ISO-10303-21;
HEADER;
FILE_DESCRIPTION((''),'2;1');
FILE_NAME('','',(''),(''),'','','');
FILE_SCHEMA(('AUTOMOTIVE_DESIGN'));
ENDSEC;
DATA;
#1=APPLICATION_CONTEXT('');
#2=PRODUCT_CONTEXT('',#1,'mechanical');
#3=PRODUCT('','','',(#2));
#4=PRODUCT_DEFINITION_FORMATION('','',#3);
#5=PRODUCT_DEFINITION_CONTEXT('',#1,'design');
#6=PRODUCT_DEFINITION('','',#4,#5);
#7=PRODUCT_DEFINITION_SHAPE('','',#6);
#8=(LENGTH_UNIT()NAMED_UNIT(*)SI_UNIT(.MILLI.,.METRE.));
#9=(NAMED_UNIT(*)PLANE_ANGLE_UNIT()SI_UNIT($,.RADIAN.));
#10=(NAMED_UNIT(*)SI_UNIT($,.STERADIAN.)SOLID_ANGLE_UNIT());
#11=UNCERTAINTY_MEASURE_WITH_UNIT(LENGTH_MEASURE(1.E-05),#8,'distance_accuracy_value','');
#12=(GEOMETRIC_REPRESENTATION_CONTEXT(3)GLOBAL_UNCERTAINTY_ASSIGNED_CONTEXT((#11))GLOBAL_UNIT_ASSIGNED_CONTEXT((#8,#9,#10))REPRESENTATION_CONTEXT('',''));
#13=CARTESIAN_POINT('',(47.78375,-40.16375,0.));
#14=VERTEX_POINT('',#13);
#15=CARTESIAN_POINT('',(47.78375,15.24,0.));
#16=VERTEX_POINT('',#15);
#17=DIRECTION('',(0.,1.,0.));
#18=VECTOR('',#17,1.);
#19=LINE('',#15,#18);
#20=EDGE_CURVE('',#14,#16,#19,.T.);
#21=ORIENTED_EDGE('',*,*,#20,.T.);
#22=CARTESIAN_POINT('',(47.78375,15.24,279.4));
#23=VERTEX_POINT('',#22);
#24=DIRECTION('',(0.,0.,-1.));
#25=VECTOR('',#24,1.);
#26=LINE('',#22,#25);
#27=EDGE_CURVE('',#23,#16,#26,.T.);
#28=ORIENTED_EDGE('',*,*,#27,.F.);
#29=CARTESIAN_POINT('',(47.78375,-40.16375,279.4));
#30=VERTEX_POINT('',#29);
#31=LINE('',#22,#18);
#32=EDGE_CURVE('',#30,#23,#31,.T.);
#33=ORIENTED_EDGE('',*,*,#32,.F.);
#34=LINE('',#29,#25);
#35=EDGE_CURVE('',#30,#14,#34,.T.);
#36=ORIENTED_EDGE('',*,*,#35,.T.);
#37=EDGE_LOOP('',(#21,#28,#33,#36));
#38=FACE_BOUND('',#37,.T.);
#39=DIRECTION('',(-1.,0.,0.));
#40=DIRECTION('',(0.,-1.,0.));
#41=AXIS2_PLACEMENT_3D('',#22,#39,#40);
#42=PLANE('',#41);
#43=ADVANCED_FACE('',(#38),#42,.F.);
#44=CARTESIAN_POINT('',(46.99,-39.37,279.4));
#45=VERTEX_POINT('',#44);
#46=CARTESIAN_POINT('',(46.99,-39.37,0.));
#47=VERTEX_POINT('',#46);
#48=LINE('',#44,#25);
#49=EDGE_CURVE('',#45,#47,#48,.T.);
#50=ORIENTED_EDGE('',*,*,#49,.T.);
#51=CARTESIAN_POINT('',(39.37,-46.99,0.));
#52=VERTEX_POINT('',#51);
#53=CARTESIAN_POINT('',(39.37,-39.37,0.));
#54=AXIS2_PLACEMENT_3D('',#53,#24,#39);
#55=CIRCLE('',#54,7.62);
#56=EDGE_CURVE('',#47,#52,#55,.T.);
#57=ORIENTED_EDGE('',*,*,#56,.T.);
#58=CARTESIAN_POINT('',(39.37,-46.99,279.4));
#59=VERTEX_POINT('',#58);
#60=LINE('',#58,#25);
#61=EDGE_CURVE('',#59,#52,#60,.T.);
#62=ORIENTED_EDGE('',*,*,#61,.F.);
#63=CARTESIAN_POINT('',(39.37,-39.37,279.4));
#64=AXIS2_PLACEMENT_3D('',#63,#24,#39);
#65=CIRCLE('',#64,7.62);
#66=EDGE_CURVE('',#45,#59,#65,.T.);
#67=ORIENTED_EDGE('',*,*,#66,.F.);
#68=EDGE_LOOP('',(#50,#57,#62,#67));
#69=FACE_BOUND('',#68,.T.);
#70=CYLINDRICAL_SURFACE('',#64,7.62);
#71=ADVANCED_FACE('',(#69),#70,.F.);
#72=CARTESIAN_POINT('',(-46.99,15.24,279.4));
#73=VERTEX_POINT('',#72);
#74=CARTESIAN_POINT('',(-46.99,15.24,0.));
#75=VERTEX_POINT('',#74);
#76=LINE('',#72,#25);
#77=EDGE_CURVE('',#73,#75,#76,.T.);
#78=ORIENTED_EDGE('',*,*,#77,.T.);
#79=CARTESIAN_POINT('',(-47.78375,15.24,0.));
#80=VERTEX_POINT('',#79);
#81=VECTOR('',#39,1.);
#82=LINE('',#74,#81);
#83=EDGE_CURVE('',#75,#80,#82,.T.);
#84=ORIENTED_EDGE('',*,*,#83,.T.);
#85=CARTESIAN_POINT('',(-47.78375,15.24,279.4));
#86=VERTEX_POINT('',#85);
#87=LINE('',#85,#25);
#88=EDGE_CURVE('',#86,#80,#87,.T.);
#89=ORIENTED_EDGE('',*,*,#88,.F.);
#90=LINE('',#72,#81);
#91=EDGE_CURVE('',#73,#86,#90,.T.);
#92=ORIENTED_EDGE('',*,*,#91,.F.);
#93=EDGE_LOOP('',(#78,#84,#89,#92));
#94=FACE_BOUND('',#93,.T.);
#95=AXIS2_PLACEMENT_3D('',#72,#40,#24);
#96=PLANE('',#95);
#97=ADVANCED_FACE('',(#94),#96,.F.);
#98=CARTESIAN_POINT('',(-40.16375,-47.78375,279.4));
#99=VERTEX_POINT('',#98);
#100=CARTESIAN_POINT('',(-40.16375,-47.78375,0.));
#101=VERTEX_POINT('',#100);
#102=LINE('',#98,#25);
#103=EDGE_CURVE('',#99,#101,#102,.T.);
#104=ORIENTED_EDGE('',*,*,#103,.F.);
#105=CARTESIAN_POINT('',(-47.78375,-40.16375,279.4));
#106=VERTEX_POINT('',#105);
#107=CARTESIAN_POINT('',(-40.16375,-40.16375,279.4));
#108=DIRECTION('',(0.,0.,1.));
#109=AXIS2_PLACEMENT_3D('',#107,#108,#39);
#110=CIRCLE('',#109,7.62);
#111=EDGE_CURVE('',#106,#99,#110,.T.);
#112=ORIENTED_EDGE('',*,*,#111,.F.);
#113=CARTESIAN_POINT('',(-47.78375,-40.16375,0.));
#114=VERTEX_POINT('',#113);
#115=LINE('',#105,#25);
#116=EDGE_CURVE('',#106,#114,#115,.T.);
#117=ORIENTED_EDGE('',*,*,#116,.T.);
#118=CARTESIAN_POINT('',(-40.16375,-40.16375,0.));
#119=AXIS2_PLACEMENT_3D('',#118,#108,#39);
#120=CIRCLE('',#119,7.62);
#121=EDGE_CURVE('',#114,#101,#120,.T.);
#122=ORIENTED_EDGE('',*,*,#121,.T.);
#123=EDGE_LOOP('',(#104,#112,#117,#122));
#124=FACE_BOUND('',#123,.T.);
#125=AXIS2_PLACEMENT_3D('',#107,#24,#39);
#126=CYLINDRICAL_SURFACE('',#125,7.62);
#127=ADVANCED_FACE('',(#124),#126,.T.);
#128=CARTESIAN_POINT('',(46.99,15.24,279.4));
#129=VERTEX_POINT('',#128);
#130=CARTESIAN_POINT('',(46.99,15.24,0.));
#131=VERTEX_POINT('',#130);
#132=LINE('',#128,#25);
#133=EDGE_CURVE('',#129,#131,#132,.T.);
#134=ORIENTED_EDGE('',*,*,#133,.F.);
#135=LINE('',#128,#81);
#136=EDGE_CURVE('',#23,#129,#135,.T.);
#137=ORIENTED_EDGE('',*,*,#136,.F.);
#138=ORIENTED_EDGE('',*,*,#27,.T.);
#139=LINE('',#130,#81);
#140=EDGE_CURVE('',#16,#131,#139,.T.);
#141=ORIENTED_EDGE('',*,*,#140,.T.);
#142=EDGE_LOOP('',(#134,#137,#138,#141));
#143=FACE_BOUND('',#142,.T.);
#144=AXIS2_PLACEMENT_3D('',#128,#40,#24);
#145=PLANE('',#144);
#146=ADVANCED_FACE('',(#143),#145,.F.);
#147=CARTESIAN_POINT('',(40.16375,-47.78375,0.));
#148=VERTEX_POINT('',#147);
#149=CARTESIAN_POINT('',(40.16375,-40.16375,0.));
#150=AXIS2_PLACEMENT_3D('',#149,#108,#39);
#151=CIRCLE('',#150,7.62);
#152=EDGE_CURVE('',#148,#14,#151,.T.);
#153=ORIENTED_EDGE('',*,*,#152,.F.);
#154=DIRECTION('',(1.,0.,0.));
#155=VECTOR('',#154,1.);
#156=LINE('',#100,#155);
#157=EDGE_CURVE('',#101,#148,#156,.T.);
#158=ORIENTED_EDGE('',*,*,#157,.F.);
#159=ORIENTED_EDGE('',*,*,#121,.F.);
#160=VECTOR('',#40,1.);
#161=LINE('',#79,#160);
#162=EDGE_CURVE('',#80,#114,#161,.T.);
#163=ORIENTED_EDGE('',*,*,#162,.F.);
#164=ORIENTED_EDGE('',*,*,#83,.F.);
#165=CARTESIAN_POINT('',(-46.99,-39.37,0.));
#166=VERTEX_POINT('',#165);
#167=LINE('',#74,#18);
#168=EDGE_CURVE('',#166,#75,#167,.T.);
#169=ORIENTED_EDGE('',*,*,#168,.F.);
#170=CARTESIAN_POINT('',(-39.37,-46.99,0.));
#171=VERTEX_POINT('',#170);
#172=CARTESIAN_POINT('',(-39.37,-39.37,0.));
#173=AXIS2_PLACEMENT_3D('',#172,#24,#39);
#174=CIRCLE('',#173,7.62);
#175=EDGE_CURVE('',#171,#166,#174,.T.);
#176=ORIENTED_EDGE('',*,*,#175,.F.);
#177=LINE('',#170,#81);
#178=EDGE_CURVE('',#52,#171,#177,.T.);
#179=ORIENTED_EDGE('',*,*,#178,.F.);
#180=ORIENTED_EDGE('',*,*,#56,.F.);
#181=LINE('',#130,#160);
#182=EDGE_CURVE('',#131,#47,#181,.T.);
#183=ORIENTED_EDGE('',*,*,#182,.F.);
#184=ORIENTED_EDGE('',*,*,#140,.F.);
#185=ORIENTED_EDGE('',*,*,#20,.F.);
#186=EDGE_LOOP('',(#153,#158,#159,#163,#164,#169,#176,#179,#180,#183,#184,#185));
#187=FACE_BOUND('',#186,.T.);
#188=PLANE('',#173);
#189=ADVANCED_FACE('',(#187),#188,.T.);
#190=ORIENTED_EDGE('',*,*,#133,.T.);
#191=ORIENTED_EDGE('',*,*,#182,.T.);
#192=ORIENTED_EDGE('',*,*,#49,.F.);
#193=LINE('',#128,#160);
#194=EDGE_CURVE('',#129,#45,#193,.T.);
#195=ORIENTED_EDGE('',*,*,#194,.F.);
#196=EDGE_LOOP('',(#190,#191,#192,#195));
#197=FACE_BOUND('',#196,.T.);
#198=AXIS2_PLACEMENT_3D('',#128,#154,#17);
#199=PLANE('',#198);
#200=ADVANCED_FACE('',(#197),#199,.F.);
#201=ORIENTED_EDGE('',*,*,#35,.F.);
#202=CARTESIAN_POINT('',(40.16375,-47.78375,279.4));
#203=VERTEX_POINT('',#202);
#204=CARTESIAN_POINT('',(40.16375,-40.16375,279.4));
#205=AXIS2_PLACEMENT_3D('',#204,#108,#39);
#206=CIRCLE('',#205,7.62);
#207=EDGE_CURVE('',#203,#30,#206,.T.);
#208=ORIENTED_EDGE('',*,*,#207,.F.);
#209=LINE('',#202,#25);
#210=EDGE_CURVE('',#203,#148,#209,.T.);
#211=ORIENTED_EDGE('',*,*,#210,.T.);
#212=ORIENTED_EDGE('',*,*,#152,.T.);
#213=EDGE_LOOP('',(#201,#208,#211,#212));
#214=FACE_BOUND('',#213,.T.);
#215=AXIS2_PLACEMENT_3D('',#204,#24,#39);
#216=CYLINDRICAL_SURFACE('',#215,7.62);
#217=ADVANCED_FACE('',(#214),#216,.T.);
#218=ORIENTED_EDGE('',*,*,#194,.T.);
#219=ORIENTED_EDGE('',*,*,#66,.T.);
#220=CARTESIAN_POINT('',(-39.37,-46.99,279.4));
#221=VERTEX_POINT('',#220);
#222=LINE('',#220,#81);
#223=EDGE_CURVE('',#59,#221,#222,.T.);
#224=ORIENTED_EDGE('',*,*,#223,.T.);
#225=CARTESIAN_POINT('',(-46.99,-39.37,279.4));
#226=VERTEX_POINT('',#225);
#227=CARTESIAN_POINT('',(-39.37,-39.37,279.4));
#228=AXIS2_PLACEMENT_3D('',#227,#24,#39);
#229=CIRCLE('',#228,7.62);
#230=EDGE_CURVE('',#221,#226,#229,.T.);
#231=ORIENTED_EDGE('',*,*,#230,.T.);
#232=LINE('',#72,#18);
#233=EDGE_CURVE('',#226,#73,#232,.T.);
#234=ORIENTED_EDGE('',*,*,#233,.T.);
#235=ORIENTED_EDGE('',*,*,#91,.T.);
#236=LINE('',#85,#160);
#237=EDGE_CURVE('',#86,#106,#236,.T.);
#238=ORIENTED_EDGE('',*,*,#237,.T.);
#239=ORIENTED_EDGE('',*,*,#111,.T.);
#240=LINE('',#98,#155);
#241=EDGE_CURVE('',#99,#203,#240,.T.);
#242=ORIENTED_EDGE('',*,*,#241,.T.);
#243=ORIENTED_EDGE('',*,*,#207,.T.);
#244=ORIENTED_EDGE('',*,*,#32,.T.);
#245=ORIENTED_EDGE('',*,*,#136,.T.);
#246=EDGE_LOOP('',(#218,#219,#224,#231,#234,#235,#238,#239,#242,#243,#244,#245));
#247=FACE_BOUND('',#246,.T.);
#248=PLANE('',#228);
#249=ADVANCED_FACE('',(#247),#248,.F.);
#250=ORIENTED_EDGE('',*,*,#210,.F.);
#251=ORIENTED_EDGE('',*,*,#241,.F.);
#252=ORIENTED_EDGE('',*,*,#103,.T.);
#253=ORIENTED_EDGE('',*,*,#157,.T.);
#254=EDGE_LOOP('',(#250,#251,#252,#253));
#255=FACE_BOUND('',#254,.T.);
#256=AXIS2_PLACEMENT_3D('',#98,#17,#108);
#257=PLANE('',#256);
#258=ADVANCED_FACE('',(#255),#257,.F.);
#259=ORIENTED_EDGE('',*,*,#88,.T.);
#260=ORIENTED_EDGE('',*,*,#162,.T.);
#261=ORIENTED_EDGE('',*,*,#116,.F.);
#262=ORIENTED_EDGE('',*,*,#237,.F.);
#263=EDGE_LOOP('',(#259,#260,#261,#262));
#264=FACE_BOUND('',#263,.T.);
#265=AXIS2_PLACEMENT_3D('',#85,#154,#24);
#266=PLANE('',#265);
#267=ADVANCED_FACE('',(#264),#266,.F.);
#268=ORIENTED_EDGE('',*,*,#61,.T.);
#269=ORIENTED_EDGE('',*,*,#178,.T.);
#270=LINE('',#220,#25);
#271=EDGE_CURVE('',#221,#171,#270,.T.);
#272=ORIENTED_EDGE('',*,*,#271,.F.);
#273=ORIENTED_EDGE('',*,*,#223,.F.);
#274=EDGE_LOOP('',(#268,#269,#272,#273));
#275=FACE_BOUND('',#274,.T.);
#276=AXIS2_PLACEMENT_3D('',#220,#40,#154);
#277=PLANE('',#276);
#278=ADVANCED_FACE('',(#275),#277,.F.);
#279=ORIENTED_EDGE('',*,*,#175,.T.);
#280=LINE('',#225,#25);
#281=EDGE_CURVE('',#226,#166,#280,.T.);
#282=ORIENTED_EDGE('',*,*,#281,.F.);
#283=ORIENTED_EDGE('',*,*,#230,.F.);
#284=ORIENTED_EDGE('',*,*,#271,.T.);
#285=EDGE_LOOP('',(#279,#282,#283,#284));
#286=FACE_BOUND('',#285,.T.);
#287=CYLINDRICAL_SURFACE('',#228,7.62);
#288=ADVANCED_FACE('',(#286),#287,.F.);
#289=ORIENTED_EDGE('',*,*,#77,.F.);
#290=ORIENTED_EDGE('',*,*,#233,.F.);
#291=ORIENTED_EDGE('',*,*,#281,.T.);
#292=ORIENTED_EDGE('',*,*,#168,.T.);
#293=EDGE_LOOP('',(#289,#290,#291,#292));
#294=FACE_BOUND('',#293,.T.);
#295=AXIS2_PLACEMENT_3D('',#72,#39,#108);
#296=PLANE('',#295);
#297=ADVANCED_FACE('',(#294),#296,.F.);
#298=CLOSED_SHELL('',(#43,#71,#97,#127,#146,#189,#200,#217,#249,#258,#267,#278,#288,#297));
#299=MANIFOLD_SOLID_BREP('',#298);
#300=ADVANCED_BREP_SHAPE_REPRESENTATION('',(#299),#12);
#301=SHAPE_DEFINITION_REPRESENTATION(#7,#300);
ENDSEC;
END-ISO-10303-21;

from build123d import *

# Parameters (mm, degrees)
BOSS_EXTRUDE1_DEPTH = 279.4


with BuildPart() as part:
    # Sketch1 → Boss-Extrude1 (new body)
    with BuildSketch(Plane.XY):
        with BuildLine():
            Line((46.99, 15.24), (47.78375, 15.24))
            Line((47.78375, 15.24), (47.78375, -40.16375))
            ThreePointArc((47.78375, -40.16375), (45.551903673, -45.551903673), (40.16375, -47.78375))
            Line((40.16375, -47.78375), (-40.16375, -47.78375))
            ThreePointArc((-40.16375, -47.78375), (-45.551903673, -45.551903673), (-47.78375, -40.16375))
            Line((-47.78375, -40.16375), (-47.78375, 15.24))
            Line((-47.78375, 15.24), (-46.99, 15.24))
            Line((-46.99, 15.24), (-46.99, -39.37))
            ThreePointArc((-46.99, -39.37), (-44.758153673, -44.758153673), (-39.37, -46.99))
            Line((-39.37, -46.99), (39.37, -46.99))
            ThreePointArc((39.37, -46.99), (44.758153673, -44.758153673), (46.99, -39.37))
            Line((46.99, -39.37), (46.99, 15.24))
        make_face()
    extrude(amount=BOSS_EXTRUDE1_DEPTH)


solid = part.part
